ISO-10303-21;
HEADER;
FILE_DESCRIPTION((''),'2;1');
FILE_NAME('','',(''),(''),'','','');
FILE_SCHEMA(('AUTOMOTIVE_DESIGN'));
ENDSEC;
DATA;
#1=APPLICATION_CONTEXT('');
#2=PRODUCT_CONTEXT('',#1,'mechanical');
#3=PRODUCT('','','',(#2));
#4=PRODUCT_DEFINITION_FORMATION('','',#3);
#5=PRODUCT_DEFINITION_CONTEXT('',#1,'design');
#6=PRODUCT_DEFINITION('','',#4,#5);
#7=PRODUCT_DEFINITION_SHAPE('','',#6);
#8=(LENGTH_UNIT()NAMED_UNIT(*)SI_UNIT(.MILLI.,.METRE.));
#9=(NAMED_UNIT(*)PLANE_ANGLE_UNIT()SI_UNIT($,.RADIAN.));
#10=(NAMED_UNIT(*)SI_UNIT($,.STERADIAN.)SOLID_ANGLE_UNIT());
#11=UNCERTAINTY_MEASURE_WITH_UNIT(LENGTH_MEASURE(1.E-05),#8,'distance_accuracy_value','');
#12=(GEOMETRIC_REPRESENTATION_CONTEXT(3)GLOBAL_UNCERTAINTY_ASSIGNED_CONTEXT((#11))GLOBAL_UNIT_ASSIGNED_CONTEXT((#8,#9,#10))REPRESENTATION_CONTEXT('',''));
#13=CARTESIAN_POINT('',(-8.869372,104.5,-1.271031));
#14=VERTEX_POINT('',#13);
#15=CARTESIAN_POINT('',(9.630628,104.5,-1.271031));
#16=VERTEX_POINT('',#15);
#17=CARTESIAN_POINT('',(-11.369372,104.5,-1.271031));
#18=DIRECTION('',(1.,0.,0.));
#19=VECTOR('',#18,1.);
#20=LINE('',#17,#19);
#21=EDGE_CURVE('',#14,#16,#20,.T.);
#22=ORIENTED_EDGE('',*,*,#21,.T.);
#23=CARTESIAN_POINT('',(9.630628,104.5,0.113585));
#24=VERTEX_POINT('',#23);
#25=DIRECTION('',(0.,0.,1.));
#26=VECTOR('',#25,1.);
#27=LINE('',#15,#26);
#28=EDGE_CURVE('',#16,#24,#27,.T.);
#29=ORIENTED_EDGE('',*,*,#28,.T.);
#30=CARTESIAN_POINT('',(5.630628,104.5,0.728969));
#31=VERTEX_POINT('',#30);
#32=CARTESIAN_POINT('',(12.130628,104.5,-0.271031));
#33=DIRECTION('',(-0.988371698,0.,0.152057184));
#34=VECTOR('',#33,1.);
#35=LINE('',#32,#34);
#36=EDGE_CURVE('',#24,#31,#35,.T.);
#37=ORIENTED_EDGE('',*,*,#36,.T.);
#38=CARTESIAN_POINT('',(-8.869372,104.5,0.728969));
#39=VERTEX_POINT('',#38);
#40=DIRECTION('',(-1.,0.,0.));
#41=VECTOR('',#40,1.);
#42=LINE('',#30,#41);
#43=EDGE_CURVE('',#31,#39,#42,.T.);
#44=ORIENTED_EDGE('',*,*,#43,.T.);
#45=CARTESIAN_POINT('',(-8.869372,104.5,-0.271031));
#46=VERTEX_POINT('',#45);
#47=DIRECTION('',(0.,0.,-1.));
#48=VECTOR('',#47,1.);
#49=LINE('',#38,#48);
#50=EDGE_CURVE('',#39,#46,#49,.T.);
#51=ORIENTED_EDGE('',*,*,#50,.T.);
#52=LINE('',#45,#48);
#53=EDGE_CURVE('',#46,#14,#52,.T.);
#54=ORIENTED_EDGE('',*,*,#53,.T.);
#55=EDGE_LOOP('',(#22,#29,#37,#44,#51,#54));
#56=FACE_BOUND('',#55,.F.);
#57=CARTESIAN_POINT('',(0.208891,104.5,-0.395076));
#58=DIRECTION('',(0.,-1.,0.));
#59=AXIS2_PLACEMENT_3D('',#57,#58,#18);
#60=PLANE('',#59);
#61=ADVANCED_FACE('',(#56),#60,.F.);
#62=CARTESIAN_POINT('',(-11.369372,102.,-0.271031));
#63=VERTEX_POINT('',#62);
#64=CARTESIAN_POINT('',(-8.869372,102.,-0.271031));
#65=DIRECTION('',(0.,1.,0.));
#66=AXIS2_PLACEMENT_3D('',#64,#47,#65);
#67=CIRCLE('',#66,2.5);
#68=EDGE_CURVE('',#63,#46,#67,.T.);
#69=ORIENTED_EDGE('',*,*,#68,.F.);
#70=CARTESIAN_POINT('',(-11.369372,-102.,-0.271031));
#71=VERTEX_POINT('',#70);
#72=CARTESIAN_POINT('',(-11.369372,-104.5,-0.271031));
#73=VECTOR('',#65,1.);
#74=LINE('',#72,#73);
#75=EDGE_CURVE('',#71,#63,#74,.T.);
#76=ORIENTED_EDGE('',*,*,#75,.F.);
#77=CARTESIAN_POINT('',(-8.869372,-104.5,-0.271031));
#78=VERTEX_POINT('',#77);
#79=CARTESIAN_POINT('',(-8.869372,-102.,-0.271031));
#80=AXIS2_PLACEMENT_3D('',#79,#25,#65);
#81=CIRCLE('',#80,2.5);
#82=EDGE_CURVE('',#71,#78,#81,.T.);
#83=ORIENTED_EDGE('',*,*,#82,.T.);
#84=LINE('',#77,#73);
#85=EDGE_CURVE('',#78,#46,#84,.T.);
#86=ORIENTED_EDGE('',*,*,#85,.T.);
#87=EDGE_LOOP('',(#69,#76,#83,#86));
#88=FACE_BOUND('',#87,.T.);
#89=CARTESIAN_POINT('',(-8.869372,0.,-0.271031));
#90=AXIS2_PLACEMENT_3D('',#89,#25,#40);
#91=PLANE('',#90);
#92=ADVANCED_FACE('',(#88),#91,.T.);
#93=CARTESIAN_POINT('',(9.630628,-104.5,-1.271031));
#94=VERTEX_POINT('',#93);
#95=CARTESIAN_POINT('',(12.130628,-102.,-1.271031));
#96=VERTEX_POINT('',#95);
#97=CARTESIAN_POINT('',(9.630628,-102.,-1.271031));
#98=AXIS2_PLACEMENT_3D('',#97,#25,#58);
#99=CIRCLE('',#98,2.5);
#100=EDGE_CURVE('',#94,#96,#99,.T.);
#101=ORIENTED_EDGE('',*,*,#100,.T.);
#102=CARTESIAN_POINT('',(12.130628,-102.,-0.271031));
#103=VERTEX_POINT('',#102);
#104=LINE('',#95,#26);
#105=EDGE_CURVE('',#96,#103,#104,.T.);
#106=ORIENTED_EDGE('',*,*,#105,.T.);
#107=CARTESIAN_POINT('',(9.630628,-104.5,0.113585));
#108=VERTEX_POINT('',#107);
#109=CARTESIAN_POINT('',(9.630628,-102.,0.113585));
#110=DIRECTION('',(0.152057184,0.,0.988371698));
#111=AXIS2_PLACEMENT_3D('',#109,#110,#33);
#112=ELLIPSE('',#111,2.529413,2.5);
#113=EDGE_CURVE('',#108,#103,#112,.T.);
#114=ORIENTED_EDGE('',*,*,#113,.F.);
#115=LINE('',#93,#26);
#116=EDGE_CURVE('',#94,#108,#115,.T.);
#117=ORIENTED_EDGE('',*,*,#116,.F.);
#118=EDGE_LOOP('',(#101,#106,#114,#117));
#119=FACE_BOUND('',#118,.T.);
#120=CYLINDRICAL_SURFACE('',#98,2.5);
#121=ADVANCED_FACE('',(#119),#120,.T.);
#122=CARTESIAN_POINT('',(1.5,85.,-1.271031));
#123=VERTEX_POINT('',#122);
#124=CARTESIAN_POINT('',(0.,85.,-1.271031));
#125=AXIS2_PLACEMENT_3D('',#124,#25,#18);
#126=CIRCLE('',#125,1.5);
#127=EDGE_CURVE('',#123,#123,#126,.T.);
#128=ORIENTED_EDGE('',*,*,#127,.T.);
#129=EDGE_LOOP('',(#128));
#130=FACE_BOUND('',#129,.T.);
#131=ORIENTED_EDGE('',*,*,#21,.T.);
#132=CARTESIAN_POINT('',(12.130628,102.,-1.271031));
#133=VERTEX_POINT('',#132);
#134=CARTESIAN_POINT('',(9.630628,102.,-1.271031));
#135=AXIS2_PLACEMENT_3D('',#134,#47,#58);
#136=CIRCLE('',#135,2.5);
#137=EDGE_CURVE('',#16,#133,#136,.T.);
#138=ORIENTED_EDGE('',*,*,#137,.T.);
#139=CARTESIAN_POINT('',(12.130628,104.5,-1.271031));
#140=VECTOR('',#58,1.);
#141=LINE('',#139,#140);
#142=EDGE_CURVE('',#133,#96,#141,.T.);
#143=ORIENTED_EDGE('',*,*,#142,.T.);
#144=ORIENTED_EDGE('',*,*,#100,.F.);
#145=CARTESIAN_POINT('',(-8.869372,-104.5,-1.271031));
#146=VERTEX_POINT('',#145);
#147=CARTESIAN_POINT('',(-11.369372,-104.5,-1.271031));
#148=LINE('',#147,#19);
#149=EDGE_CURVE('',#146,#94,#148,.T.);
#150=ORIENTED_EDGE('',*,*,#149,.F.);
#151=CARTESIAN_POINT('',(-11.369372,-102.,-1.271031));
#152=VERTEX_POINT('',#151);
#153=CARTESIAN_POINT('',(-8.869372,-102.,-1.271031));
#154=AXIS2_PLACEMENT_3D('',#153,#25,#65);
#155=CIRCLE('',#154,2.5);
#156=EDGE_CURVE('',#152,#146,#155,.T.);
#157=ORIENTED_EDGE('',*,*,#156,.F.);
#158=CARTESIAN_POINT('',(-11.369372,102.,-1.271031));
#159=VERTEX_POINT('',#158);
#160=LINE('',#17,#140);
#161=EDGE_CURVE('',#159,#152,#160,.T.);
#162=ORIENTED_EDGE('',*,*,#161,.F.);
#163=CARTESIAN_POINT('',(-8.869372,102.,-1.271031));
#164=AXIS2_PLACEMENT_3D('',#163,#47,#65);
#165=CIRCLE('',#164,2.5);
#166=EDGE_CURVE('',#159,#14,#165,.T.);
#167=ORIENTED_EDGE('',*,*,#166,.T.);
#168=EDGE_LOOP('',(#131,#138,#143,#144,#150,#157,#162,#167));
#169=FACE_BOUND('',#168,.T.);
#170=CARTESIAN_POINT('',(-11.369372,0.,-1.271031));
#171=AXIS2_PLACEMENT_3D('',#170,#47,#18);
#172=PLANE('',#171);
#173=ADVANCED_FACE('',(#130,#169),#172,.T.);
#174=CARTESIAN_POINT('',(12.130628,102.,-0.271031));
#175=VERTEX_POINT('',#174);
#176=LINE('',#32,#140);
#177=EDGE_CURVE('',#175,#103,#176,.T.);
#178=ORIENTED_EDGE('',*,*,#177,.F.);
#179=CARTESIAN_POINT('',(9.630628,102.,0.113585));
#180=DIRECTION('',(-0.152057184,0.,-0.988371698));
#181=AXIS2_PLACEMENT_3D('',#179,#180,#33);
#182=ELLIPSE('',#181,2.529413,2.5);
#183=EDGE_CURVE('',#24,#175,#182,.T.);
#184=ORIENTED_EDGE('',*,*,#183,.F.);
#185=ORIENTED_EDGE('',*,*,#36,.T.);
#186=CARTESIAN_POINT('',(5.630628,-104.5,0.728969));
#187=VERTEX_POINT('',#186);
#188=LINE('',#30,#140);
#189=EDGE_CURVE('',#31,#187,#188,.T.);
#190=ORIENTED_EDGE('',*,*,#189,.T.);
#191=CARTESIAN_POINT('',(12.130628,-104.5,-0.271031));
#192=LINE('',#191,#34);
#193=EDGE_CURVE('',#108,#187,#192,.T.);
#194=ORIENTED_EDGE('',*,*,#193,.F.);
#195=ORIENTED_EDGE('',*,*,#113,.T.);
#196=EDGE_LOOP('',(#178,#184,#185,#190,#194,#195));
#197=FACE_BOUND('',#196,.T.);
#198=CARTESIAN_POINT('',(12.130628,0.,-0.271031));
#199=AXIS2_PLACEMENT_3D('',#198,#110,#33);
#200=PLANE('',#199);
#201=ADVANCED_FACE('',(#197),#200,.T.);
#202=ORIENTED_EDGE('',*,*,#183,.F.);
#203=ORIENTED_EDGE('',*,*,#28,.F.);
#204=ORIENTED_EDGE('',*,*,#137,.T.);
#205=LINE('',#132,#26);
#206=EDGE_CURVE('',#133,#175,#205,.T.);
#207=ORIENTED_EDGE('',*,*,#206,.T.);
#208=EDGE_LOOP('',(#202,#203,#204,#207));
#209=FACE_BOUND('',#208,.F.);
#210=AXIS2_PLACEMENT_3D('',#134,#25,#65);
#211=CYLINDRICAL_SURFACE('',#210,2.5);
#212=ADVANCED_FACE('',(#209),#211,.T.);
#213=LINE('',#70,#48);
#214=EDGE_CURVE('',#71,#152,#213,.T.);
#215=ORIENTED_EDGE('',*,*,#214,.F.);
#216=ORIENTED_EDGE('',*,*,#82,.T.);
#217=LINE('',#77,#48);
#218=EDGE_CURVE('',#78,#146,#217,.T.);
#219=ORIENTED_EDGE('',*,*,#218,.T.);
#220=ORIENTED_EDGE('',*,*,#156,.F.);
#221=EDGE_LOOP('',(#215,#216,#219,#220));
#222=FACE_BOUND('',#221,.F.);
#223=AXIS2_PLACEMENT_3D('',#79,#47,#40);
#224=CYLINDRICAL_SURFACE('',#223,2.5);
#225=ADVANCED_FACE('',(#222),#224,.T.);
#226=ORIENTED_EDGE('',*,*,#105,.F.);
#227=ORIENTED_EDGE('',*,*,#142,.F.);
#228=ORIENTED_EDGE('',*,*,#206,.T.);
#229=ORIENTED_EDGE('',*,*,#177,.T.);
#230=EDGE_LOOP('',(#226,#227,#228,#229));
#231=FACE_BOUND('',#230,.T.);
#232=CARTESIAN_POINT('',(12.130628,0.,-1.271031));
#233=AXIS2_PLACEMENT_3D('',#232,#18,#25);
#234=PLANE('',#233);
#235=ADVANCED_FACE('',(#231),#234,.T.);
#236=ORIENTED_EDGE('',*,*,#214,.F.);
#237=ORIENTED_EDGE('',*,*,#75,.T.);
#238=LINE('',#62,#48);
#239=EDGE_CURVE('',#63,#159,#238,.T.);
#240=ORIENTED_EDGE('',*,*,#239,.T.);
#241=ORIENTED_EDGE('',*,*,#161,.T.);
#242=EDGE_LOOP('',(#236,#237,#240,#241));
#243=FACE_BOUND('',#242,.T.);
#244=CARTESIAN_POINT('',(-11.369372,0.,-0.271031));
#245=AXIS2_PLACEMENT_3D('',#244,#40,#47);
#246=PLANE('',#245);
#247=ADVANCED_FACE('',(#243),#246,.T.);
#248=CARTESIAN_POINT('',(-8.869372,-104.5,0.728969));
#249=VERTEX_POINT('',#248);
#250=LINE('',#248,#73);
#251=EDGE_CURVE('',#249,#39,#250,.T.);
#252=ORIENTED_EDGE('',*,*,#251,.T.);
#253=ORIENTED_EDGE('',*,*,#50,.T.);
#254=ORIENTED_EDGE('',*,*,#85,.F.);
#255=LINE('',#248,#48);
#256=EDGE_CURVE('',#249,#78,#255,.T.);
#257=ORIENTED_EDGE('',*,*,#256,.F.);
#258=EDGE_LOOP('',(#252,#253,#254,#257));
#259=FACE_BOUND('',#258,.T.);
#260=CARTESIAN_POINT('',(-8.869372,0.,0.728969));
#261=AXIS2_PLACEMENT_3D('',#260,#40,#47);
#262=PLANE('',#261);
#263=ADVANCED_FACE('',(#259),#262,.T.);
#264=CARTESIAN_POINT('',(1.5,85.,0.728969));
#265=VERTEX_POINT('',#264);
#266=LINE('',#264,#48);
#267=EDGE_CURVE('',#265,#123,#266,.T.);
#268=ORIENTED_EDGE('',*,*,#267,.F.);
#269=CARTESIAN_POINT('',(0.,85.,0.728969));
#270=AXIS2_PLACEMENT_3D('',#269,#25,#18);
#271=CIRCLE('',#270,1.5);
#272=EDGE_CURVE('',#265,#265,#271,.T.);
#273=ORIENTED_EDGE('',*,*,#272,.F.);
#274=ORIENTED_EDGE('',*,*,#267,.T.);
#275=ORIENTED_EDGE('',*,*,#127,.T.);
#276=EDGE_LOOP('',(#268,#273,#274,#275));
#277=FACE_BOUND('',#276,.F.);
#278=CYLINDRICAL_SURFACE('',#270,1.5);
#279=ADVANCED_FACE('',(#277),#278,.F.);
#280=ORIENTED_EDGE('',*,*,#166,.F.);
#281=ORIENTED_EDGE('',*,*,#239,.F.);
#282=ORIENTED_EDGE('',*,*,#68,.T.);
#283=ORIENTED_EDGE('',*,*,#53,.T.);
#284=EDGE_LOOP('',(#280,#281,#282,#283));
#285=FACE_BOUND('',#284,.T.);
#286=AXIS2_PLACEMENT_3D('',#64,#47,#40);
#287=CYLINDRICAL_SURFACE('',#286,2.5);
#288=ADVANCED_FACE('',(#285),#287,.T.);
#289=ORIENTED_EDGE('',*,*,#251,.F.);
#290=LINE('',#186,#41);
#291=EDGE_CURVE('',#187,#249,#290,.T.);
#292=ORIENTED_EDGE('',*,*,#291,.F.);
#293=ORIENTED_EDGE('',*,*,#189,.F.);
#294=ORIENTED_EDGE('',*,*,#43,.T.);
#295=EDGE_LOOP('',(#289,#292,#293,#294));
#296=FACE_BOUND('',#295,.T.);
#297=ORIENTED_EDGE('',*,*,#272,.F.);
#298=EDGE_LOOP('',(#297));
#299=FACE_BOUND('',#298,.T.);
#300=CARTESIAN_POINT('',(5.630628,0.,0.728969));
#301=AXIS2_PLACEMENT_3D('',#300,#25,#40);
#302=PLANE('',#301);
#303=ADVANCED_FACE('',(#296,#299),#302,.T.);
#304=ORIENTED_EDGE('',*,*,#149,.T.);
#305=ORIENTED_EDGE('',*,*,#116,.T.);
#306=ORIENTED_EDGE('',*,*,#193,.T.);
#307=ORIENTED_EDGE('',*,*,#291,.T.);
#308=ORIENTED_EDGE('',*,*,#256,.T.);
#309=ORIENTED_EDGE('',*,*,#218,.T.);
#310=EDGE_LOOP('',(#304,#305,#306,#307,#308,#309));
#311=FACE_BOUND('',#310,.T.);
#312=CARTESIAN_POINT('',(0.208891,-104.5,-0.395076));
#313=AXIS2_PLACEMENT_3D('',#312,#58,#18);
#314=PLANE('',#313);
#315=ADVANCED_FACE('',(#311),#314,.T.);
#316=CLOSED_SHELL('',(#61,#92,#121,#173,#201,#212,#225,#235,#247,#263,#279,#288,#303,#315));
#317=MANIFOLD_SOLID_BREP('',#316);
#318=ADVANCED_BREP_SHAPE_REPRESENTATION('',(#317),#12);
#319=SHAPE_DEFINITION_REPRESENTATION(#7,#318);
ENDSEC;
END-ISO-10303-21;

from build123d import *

# Parameters (mm, degrees)
F1_DEPTH = 104.5
F2_R     = 1.5
F3_DEPTH = 2
F4_R     = 2.5


with BuildPart() as f1:
    # F0 (on Front) → F1 (new body, symmetric)
    with BuildSketch(Plane.XZ):
        Polygon((-11.3693717867, -0.2710307762), (-11.3693717867, -1.2710307762), (12.1306282133, -1.2710307762), (12.1306282133, -0.2710307762), (5.6306282133, 0.7289692238), (-8.8693717867, 0.7289692238), (-8.8693717867, -0.2710307762), align=None)
    extrude(amount=F1_DEPTH, both=True)

    # F2 (on face) → F3 (cut)
    with BuildSketch(Plane.XY.offset(0.7289692238)):
        with Locations((0, 85)):
            Circle(F2_R)
    extrude(amount=-F3_DEPTH, mode=Mode.SUBTRACT)

    # F4
    f4_edges = [f1.edges().sort_by_distance(p)[0] for p in [
        (12.130628, 104.5, -0.771031),
        (-11.369372, 104.5, -0.771031),
        (12.130628, -104.5, -0.771031),
        (-11.369372, -104.5, -0.771031),
    ]]
    fillet(f4_edges, radius=F4_R)


solid = f1.part
